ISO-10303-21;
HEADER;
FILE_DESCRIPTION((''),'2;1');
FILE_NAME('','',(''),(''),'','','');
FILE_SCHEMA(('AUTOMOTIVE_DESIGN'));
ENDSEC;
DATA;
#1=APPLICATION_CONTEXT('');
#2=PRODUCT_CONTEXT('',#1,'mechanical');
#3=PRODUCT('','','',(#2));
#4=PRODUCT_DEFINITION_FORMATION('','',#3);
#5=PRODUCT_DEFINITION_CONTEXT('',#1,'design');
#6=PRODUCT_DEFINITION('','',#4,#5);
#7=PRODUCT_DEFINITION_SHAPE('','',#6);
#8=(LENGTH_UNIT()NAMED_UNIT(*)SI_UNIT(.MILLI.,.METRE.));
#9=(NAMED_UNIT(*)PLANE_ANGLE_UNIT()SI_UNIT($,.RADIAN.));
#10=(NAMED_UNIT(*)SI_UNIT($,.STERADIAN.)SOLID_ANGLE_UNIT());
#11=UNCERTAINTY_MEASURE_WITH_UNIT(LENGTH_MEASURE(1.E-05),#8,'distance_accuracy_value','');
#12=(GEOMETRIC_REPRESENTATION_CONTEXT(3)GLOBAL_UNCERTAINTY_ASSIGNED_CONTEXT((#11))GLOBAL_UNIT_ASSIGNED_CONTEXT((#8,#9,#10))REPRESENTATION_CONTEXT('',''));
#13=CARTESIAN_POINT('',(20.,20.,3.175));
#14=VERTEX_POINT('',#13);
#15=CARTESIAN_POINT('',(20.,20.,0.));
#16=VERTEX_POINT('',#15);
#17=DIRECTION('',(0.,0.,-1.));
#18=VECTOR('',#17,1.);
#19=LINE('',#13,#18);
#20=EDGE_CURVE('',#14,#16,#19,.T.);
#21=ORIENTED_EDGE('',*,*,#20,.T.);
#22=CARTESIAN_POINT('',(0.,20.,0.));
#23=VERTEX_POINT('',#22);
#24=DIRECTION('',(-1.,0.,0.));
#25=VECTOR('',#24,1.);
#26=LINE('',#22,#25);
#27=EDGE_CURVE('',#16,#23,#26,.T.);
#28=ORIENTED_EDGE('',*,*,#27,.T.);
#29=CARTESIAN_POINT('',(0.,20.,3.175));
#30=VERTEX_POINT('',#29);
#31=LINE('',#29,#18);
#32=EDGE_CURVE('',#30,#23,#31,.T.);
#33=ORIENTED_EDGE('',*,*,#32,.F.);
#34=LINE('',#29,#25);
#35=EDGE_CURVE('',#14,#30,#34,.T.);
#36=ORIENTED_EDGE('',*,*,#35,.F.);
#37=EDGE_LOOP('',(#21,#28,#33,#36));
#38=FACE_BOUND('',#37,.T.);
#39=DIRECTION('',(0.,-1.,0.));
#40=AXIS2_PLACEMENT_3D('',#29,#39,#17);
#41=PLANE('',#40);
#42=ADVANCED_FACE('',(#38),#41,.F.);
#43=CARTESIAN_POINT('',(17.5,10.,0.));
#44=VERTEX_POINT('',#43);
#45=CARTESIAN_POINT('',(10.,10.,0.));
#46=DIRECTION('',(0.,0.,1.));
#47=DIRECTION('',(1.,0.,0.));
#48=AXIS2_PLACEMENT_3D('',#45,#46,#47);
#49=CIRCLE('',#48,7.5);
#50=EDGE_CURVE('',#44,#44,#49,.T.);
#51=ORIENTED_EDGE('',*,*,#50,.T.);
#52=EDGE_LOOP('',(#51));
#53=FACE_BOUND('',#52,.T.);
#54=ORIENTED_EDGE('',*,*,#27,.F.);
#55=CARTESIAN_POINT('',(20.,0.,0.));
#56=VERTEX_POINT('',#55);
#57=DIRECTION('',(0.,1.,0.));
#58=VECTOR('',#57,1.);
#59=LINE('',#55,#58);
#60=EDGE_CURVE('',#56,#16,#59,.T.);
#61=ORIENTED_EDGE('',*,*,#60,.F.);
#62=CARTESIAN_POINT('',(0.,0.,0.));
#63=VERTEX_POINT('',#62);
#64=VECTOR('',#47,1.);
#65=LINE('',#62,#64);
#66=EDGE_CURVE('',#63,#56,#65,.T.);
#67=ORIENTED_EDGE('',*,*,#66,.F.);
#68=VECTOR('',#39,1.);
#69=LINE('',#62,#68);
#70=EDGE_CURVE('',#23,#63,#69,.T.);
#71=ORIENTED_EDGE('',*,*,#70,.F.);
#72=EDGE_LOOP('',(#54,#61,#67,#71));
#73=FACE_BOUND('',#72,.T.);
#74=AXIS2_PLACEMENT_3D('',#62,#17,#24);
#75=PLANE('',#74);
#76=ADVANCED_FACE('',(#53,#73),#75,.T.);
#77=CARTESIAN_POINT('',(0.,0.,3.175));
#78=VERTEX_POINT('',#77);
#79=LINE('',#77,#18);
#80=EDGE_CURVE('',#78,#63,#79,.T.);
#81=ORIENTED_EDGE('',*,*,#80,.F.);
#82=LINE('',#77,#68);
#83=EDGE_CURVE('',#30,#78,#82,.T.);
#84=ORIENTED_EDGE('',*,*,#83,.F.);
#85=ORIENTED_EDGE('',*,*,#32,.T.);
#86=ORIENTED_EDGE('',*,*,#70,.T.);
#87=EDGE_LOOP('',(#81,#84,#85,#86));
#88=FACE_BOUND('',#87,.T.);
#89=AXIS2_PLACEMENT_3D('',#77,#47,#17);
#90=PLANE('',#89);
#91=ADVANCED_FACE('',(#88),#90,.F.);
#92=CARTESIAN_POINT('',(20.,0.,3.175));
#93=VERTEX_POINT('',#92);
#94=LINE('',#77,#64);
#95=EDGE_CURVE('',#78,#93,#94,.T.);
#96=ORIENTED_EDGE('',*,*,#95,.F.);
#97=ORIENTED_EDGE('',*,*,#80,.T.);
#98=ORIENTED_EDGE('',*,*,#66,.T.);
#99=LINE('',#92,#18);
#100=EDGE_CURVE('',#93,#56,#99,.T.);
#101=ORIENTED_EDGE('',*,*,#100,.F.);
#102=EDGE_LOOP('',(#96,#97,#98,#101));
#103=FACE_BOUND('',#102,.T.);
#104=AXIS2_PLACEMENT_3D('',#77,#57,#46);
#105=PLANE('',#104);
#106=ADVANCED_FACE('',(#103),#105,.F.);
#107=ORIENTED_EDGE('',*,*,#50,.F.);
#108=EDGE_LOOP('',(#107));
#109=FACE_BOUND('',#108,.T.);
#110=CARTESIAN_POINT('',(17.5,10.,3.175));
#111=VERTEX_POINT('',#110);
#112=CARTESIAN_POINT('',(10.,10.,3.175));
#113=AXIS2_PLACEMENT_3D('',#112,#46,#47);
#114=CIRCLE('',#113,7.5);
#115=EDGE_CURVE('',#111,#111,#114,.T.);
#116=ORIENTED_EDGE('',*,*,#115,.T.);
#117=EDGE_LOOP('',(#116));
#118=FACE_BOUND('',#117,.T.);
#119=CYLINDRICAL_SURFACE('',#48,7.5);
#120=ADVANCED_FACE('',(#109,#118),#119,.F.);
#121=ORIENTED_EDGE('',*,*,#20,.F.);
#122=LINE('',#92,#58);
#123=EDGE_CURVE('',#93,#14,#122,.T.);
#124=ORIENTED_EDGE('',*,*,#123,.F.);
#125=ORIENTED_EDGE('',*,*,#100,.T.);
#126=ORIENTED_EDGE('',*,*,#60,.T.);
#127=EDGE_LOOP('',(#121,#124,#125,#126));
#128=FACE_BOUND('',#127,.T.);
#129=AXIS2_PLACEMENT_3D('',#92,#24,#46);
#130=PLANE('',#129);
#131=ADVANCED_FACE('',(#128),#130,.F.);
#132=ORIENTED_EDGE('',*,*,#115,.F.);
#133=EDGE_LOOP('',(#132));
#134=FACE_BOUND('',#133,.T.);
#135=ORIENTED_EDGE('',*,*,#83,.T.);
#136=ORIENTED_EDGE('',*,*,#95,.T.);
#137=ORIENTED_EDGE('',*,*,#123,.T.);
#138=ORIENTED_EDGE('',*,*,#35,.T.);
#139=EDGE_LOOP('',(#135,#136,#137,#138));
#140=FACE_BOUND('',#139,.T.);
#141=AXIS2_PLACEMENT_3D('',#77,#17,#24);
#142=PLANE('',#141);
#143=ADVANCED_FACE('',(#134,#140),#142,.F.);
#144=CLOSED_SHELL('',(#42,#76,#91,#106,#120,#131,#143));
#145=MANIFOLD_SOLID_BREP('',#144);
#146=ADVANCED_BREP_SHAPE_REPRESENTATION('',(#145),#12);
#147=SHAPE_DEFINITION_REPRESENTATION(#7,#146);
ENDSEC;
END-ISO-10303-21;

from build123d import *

# Parameters (mm, degrees)
SKETCH1_W           = 20
SKETCH1_H           = 20
BOSS_EXTRUDE1_DEPTH = 3.175
SKETCH3_R           = 7.5
CUT_EXTRUDE1_DEPTH  = 3.175


with BuildPart() as part:
    # Sketch1 → Boss-Extrude1 (new body)
    with BuildSketch(Plane.XY):
        with Locations((10, 10)):
            Rectangle(SKETCH1_W, SKETCH1_H)
    extrude(amount=BOSS_EXTRUDE1_DEPTH)

    # Sketch3 → Cut-Extrude1 (cut)
    with BuildSketch(Plane.XY.offset(3.175)):
        with Locations((10, 10)):
            Circle(SKETCH3_R)
    extrude(amount=-CUT_EXTRUDE1_DEPTH, mode=Mode.SUBTRACT)


solid = part.part
